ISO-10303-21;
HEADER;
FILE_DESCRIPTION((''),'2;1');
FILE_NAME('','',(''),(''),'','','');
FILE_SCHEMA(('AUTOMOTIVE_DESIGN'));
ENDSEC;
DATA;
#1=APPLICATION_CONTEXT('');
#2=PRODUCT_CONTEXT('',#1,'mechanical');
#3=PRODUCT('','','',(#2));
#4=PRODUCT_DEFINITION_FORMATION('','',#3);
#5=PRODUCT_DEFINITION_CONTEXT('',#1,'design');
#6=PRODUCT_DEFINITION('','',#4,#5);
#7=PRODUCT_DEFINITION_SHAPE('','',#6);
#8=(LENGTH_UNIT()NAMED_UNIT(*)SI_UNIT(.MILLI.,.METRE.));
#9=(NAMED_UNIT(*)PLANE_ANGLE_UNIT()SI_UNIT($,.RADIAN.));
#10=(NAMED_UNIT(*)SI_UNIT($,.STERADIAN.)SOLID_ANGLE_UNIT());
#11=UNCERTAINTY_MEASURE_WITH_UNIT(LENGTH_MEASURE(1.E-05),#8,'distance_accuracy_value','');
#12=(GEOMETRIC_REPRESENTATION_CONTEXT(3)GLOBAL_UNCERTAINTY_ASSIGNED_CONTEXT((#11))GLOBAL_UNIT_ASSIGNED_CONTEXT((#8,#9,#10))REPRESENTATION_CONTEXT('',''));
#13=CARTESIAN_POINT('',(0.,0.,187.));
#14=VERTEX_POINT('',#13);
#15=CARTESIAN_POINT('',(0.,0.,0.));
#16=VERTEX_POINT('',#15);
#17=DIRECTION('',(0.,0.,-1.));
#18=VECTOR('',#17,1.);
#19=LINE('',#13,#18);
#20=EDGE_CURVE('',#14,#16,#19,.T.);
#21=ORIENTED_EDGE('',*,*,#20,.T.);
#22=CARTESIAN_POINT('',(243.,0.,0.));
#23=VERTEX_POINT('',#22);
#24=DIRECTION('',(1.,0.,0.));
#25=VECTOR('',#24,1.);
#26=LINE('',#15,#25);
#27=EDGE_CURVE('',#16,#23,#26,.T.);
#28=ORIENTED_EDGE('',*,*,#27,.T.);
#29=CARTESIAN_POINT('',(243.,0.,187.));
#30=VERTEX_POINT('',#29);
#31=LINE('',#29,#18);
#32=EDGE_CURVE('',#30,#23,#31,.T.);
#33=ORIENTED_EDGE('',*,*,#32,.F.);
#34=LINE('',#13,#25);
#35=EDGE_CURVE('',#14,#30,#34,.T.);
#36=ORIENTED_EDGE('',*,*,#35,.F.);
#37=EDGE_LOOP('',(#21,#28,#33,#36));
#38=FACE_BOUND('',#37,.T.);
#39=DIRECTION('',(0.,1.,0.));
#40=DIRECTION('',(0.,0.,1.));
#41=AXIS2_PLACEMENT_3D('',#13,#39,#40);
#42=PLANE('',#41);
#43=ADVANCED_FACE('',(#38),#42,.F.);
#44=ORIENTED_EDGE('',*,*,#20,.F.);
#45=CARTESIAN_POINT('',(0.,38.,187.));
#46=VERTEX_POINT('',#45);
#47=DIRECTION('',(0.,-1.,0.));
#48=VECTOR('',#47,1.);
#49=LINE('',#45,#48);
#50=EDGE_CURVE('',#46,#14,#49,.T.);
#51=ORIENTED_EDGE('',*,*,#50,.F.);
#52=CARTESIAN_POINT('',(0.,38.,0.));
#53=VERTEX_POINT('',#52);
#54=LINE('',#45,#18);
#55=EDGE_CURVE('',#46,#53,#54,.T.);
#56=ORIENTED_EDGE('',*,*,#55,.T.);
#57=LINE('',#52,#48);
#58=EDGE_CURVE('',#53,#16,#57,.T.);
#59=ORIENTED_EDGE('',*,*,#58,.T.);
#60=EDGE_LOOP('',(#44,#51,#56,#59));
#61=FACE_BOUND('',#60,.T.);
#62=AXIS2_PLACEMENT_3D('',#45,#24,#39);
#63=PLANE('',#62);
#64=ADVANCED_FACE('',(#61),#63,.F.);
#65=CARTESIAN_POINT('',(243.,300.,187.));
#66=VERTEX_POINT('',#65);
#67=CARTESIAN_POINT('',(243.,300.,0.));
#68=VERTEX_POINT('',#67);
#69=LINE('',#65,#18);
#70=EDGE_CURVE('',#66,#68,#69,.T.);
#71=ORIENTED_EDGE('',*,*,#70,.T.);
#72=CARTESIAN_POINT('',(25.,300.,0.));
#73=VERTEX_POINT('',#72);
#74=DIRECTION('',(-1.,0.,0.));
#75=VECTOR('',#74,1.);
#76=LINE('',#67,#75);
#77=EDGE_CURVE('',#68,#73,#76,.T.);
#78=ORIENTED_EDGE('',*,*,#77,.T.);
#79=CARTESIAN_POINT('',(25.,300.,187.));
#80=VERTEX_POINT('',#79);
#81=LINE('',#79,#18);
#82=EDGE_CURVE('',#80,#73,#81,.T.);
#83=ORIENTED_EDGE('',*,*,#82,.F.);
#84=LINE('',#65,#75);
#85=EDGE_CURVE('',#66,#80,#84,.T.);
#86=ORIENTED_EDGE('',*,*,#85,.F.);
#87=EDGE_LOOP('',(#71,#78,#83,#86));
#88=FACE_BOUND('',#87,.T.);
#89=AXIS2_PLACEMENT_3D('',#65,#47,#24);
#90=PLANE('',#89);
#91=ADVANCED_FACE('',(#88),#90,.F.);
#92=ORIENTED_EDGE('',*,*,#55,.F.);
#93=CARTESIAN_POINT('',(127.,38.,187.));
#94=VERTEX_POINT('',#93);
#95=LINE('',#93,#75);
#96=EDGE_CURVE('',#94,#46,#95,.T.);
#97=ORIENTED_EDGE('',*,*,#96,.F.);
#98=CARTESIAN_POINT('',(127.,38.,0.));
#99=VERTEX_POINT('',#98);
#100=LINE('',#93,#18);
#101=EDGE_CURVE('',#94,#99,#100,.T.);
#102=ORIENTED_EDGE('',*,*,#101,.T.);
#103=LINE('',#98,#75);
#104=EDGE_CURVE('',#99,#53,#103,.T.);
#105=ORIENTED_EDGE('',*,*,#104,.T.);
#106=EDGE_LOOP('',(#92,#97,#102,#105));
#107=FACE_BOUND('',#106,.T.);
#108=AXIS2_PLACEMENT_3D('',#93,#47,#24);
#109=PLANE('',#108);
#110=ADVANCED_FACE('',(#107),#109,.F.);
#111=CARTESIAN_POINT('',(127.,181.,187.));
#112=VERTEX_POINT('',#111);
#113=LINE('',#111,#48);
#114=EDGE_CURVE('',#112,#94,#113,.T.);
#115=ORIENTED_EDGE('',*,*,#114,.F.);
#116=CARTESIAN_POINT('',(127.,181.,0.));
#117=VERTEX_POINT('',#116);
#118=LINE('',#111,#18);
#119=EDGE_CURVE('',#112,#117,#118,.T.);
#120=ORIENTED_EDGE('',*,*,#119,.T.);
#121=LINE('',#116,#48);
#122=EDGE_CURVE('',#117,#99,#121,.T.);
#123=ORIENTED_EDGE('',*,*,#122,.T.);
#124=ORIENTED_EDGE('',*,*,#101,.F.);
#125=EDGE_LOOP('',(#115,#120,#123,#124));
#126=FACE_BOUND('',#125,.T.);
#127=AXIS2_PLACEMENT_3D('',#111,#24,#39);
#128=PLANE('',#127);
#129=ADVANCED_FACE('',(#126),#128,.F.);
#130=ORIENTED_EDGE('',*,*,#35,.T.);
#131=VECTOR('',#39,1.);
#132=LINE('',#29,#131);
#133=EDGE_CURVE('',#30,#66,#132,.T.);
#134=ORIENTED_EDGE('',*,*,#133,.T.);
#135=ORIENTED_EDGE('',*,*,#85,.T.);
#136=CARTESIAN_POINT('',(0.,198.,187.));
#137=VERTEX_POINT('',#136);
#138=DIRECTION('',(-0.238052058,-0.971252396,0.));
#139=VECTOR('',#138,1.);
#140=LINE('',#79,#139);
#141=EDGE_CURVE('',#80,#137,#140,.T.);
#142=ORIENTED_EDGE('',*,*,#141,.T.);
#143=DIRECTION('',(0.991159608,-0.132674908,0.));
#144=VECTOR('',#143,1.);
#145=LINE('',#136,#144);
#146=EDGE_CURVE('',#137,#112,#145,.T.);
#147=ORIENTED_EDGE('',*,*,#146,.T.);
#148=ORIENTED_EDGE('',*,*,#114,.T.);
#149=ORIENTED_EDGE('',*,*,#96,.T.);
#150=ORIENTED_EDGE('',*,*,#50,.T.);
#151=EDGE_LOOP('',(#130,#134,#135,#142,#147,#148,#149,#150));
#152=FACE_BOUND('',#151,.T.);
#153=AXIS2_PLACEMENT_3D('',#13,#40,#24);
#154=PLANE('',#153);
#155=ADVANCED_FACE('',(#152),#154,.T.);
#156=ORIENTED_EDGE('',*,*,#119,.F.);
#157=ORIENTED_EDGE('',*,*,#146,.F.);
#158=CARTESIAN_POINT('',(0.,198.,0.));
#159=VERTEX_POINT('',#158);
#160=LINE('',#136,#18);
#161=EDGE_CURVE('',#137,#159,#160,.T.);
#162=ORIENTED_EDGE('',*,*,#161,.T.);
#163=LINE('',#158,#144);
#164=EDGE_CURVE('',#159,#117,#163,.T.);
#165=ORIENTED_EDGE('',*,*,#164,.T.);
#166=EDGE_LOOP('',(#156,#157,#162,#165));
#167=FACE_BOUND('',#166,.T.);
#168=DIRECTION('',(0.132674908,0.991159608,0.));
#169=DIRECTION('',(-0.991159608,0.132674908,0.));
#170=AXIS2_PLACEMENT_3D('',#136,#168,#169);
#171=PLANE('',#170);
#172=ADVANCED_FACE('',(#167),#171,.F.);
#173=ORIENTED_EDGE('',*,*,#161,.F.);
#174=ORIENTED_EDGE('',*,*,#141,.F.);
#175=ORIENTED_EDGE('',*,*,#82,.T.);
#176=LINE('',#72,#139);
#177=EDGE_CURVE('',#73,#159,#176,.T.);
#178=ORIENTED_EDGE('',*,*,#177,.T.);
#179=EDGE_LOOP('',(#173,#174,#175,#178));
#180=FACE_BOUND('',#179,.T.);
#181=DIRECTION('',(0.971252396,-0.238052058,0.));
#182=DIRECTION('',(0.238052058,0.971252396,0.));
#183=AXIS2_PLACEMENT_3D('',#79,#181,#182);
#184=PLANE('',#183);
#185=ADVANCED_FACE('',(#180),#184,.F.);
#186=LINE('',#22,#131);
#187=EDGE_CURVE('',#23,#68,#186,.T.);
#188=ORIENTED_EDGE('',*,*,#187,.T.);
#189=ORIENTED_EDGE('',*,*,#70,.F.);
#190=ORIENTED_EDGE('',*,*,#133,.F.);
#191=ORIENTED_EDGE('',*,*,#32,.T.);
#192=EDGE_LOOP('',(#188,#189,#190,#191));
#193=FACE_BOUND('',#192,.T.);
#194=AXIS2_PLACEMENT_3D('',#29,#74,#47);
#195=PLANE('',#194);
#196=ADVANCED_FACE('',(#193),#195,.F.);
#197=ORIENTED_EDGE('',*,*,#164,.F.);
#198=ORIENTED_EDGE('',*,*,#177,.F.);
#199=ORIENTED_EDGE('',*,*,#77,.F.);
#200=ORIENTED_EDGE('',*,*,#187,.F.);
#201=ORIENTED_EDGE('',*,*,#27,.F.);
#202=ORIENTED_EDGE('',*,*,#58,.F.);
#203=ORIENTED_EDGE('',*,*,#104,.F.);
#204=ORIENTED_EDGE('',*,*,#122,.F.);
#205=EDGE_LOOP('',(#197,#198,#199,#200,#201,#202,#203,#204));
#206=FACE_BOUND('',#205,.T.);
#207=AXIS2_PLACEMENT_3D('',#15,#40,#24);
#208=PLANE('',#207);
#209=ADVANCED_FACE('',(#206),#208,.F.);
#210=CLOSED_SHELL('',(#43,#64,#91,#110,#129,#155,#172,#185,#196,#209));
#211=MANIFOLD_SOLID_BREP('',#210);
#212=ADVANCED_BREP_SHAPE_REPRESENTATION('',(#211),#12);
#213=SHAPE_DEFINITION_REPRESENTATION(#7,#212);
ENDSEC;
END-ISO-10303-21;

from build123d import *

# Parameters (mm, degrees)
BOSS_EXTRUDE2_DEPTH = 187


with BuildPart() as part:
    # Sketch1 → Boss-Extrude2 (new body)
    with BuildSketch(Plane.XY):
        Polygon((0, 0), (243, 0), (243, 300), (25, 300), (0, 198), (127, 181), (127, 38), (0, 38), align=None)
    extrude(amount=BOSS_EXTRUDE2_DEPTH)


solid = part.part
